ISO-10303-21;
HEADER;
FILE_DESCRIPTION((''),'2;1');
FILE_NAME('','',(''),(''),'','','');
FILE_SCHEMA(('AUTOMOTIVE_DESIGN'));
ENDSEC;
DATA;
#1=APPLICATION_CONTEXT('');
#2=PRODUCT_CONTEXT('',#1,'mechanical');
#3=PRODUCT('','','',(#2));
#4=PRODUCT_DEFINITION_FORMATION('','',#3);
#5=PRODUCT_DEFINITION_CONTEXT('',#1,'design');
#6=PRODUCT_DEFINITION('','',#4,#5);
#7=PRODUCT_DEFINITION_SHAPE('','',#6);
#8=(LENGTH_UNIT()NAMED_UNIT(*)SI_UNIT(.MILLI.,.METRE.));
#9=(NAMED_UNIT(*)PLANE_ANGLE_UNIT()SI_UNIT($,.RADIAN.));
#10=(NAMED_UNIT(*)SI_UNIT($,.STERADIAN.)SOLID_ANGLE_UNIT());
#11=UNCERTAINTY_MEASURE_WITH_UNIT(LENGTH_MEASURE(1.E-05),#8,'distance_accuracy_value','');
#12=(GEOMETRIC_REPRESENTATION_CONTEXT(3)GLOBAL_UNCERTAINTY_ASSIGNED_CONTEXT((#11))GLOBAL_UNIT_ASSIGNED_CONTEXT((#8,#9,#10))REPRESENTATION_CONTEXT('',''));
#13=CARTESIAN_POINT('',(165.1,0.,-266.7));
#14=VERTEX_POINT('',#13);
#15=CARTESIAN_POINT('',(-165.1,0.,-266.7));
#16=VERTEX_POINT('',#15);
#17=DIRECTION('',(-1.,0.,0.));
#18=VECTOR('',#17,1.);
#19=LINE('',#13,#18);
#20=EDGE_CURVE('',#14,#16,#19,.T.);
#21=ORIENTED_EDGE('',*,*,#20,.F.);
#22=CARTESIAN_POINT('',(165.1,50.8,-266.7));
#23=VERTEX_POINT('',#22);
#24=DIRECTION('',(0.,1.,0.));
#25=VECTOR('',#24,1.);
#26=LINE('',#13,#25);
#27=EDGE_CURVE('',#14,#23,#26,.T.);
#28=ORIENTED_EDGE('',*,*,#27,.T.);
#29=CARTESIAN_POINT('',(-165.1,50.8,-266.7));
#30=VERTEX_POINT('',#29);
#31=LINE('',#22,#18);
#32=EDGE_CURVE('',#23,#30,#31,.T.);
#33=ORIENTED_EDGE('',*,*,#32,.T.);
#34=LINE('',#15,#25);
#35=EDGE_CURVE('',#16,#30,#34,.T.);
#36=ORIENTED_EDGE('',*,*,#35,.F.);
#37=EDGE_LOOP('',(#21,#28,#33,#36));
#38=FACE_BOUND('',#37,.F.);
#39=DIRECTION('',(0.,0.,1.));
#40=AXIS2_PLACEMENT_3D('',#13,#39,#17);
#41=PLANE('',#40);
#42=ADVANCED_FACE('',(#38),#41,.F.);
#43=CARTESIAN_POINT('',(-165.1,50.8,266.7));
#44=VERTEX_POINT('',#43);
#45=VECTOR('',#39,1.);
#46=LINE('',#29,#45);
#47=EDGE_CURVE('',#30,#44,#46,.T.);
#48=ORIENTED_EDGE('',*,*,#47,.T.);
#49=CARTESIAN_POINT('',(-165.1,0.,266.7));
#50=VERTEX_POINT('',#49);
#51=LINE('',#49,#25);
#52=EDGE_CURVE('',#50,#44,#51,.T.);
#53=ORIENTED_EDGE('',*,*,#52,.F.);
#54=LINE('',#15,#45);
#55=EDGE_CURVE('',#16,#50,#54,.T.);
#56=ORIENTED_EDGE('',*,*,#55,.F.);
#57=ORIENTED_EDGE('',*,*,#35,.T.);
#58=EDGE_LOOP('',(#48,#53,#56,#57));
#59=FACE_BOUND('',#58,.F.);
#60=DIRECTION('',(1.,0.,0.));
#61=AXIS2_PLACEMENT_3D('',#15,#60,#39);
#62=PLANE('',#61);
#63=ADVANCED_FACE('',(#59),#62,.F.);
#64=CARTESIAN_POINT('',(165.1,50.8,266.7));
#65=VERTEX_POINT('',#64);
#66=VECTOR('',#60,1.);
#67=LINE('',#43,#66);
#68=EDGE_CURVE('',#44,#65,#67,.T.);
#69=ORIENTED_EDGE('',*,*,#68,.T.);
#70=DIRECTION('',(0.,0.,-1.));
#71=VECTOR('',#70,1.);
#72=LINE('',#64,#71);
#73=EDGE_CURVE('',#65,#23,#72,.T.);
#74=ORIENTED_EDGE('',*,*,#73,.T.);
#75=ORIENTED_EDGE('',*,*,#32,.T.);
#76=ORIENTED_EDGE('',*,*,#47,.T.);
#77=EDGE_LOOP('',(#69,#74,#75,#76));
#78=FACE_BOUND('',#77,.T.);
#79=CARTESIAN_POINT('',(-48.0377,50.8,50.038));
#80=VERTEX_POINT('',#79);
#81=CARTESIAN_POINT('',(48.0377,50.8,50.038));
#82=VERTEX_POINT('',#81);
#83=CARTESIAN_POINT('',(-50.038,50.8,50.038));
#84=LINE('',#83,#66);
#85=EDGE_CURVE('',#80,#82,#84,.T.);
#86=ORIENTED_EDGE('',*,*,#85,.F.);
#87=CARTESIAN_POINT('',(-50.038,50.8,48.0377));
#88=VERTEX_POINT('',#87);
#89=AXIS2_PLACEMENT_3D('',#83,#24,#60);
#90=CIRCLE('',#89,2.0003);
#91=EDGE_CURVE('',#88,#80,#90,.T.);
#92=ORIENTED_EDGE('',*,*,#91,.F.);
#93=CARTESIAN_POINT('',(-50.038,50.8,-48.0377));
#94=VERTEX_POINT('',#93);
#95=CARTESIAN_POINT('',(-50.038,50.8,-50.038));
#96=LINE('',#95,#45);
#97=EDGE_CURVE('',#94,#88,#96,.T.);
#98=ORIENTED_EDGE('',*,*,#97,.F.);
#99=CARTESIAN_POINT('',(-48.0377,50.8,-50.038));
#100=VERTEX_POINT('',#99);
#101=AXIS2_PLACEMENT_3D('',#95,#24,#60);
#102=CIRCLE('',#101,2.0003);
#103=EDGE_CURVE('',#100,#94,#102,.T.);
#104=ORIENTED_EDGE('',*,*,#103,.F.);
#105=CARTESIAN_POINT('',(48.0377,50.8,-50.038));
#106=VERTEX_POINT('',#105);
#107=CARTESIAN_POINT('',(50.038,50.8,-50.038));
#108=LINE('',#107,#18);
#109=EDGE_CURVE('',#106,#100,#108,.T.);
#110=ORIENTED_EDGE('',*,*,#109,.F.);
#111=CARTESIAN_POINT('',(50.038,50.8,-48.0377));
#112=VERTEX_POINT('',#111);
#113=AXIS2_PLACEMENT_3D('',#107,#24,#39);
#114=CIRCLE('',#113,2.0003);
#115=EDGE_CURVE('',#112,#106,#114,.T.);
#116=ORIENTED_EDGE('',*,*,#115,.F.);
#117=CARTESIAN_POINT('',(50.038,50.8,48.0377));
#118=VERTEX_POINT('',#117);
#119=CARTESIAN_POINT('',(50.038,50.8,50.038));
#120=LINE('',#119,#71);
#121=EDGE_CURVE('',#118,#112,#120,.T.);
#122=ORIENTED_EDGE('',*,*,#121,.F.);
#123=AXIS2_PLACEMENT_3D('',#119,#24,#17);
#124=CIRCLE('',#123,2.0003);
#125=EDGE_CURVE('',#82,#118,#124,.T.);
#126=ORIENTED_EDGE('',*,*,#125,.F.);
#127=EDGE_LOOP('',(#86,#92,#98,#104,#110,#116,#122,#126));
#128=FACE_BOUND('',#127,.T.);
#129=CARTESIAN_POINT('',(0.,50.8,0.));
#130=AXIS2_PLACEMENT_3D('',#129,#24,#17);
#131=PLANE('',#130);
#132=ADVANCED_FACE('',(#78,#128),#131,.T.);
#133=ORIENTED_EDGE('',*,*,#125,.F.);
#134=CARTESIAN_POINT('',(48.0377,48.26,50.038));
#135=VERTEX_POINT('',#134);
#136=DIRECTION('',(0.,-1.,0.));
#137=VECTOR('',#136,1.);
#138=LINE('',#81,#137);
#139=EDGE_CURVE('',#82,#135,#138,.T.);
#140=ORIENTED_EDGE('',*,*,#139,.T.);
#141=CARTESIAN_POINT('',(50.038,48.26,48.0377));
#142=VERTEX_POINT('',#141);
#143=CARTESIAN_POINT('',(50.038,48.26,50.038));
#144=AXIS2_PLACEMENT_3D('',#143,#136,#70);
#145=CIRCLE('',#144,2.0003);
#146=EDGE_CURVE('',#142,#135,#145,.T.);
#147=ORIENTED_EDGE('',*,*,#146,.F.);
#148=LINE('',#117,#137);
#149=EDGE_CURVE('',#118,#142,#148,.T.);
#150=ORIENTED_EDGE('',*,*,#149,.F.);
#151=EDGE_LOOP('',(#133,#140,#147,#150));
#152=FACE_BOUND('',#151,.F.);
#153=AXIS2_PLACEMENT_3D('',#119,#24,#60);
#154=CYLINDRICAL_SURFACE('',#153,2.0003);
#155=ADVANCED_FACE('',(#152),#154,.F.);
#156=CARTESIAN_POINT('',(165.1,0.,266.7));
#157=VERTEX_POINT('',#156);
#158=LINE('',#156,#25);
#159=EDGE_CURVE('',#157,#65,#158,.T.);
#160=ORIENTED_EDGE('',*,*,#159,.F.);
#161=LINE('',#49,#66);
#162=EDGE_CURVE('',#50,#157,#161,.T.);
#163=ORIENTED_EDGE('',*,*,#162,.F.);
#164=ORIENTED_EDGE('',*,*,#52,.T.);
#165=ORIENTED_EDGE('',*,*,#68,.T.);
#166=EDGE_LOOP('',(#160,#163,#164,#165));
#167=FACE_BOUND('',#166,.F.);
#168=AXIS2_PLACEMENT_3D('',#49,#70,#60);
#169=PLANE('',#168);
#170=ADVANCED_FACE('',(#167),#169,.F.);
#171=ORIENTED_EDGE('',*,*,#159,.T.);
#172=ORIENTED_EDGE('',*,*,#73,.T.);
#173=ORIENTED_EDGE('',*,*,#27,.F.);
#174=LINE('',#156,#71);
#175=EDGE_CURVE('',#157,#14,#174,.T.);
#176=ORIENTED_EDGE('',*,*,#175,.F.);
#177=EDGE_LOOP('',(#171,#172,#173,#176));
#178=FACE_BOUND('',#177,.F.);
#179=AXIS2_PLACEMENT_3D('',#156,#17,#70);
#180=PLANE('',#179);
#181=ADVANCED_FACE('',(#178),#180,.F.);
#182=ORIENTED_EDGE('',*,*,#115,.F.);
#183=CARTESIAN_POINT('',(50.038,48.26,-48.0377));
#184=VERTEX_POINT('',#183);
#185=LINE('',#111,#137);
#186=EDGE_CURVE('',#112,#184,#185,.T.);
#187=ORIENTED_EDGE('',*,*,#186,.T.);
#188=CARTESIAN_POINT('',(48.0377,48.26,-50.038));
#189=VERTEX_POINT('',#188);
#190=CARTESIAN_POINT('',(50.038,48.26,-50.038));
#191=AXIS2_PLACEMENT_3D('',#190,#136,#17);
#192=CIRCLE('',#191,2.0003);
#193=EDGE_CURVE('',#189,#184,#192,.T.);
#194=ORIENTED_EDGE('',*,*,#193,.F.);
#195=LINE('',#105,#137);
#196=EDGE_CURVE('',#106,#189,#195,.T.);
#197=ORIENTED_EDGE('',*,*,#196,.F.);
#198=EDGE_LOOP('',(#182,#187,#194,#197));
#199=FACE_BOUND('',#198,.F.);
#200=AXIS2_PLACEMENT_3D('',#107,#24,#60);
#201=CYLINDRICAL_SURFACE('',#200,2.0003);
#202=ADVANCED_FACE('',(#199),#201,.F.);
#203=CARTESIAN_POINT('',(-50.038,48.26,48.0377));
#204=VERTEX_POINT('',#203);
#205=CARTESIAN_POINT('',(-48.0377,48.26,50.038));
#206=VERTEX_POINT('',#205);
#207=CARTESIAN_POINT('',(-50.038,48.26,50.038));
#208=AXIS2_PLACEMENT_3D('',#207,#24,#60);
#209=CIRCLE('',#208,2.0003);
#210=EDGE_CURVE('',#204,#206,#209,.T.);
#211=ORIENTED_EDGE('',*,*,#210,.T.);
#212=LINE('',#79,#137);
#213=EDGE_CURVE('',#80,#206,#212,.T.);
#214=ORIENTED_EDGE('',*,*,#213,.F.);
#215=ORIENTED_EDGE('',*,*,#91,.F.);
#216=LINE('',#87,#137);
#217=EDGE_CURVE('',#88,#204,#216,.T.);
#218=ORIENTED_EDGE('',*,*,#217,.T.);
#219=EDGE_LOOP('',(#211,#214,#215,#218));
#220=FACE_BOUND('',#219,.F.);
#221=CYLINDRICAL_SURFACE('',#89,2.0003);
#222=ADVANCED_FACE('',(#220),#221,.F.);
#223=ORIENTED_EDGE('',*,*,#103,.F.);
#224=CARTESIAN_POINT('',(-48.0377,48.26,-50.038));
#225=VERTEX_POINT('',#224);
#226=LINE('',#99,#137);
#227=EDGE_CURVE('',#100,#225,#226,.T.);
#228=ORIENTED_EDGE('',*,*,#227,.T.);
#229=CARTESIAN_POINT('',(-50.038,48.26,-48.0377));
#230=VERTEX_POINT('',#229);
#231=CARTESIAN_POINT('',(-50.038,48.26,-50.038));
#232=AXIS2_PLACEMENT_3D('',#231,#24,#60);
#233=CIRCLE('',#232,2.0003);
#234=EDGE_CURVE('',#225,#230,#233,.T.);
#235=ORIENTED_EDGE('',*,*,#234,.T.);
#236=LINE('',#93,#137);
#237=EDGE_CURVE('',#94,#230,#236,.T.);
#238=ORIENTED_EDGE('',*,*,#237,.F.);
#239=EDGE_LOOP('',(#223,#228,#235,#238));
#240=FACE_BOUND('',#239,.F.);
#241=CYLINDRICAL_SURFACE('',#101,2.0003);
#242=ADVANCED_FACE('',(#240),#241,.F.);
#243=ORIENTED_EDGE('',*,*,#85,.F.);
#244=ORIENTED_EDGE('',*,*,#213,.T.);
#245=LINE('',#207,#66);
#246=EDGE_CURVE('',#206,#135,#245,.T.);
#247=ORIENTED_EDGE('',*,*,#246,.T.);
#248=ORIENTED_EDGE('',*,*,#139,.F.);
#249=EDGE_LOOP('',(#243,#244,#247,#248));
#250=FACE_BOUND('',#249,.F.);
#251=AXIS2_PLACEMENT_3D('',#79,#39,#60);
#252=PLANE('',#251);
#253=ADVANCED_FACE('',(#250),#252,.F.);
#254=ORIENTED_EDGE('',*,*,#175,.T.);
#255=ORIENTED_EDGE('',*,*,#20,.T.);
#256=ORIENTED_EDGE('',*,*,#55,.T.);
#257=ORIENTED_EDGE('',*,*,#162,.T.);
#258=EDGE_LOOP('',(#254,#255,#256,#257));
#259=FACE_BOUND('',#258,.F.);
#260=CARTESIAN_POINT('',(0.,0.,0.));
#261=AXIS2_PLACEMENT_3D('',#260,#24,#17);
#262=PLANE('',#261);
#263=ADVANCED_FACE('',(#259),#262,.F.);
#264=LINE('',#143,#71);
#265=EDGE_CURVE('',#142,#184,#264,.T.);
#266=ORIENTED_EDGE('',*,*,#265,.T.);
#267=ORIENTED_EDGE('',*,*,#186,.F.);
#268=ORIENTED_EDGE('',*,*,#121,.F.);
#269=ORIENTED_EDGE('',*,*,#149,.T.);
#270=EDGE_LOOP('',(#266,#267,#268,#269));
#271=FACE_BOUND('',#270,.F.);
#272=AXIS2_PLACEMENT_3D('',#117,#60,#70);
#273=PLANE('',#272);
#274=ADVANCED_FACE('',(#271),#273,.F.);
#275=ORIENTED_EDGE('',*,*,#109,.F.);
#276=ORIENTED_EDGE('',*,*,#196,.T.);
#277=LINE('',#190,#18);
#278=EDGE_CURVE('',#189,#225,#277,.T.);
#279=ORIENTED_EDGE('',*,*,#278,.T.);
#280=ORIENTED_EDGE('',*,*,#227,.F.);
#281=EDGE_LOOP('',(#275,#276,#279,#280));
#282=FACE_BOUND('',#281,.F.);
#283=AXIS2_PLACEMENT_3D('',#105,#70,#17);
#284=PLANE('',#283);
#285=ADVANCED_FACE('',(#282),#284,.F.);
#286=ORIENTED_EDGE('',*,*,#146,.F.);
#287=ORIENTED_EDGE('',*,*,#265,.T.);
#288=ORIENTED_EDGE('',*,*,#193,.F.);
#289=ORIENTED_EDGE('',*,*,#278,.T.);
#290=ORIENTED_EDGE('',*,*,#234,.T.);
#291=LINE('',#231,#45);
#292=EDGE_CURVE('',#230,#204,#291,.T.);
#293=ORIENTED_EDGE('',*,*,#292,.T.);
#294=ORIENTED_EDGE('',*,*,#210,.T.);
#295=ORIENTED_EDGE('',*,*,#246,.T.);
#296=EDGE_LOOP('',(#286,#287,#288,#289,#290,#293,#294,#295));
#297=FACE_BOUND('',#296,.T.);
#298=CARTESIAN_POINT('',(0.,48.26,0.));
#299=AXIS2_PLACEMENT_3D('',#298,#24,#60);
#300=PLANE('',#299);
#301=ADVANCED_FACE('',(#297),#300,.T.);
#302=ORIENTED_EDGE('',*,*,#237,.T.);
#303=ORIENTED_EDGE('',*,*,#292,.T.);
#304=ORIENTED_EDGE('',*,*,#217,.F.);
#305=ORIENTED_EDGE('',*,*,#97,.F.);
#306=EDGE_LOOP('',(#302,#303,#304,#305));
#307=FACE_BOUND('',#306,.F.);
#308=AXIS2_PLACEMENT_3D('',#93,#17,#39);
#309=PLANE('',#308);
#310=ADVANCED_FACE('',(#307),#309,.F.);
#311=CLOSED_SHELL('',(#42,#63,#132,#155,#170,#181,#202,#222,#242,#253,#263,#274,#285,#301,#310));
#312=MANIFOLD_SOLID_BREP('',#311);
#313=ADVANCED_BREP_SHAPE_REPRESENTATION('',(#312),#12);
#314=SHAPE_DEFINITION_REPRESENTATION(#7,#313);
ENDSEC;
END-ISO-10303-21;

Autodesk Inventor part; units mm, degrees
ref_plane "YZ Plane" through (0, 0, 0) normal (1, 0, 0) x (0, 1, 0)
ref_plane "XZ Plane" through (0, 0, 0) normal (0, 1, 0) x (-1, 0, 0)
ref_plane "XY Plane" through (0, 0, 0) normal (0, 0, 1) x (1, 0, 0)
sketch "Sketch1" plane through (0, 0, 0) normal (0, 1, 0) x (-1, 0, 0)
  line L0 (165.1, 266.7) -> (-165.1, 266.7)
  line L1 (-165.1, 266.7) -> (-165.1, -266.7)
  line L2 (-165.1, -266.7) -> (165.1, -266.7)
  line L3 (165.1, -266.7) -> (165.1, 266.7)
  point P0 (0, 0)
  dimension "d0" = 533.4
  dimension "d1" = 330.2
  dimension "d2" = 266.7
  dimension "d3" = 165.1
extrude "Extrusion1" add sketch "Sketch1" along normal blind 50.8
sketch "Sketch2" plane through (0, 50.8, 0) normal (0, 1, 0) x (1, 0, 0)
  line L0 (-165.1, -266.7) -> (165.1, -266.7) projected
  line L1 (165.1, 266.7) -> (-165.1, 266.7) projected
  line L2 (-50.038, -50.038) -> (50.038, -50.038)
  line L3 (50.038, -50.038) -> (50.038, 50.038)
  line L4 (50.038, 50.038) -> (-50.038, 50.038)
  line L5 (-50.038, 50.038) -> (-50.038, -50.038)
  circle A0 centre (-50.038, 50.038) radius 2.0003
  circle A1 centre (50.038, 50.038) radius 2.0003
  circle A2 centre (50.038, -50.038) radius 2.0003
  circle A3 centre (-50.038, -50.038) radius 2.0003
  point P0 (-50.038, -48.0378)
  point P1 (-48.0377, -50.038)
  point P2 (48.0378, -50.038)
  point P3 (50.038, -48.0378)
  point P4 (50.038, 48.0378)
  point P5 (48.0378, 50.038)
  point P6 (-48.0377, 50.038)
  point P7 (-50.038, 48.0378)
  dimension "d20" = 100.076
  dimension "d21" = 100.076
  dimension "d22" = 115.062
  dimension "d23" = 115.062
  dimension "d24" = 216.662
  dimension "d25" = 216.662
  dimension "d26" = 4.0005
  dimension "d27" = 4.0005
  dimension "d28" = 4.0005
  dimension "d29" = 4.0005
extrude "Extrusion2" cut sketch "Sketch2" against normal blind 2.54
ref_plane "Work Plane1" through (0, 0, -266.7) normal (-1, 0, 0) x (0, 0, 1)
equation "\"d2\" = 0.5 * d0"
equation "\"d3\" = 0.5 * d1"
equation "\"d22\" = d23"
equation "\"d24\" = d25"
equation "\"d26\" = d29"
equation "\"d27\" = d29"
equation "\"d28\" = d29"
properties part number "Monitor"
